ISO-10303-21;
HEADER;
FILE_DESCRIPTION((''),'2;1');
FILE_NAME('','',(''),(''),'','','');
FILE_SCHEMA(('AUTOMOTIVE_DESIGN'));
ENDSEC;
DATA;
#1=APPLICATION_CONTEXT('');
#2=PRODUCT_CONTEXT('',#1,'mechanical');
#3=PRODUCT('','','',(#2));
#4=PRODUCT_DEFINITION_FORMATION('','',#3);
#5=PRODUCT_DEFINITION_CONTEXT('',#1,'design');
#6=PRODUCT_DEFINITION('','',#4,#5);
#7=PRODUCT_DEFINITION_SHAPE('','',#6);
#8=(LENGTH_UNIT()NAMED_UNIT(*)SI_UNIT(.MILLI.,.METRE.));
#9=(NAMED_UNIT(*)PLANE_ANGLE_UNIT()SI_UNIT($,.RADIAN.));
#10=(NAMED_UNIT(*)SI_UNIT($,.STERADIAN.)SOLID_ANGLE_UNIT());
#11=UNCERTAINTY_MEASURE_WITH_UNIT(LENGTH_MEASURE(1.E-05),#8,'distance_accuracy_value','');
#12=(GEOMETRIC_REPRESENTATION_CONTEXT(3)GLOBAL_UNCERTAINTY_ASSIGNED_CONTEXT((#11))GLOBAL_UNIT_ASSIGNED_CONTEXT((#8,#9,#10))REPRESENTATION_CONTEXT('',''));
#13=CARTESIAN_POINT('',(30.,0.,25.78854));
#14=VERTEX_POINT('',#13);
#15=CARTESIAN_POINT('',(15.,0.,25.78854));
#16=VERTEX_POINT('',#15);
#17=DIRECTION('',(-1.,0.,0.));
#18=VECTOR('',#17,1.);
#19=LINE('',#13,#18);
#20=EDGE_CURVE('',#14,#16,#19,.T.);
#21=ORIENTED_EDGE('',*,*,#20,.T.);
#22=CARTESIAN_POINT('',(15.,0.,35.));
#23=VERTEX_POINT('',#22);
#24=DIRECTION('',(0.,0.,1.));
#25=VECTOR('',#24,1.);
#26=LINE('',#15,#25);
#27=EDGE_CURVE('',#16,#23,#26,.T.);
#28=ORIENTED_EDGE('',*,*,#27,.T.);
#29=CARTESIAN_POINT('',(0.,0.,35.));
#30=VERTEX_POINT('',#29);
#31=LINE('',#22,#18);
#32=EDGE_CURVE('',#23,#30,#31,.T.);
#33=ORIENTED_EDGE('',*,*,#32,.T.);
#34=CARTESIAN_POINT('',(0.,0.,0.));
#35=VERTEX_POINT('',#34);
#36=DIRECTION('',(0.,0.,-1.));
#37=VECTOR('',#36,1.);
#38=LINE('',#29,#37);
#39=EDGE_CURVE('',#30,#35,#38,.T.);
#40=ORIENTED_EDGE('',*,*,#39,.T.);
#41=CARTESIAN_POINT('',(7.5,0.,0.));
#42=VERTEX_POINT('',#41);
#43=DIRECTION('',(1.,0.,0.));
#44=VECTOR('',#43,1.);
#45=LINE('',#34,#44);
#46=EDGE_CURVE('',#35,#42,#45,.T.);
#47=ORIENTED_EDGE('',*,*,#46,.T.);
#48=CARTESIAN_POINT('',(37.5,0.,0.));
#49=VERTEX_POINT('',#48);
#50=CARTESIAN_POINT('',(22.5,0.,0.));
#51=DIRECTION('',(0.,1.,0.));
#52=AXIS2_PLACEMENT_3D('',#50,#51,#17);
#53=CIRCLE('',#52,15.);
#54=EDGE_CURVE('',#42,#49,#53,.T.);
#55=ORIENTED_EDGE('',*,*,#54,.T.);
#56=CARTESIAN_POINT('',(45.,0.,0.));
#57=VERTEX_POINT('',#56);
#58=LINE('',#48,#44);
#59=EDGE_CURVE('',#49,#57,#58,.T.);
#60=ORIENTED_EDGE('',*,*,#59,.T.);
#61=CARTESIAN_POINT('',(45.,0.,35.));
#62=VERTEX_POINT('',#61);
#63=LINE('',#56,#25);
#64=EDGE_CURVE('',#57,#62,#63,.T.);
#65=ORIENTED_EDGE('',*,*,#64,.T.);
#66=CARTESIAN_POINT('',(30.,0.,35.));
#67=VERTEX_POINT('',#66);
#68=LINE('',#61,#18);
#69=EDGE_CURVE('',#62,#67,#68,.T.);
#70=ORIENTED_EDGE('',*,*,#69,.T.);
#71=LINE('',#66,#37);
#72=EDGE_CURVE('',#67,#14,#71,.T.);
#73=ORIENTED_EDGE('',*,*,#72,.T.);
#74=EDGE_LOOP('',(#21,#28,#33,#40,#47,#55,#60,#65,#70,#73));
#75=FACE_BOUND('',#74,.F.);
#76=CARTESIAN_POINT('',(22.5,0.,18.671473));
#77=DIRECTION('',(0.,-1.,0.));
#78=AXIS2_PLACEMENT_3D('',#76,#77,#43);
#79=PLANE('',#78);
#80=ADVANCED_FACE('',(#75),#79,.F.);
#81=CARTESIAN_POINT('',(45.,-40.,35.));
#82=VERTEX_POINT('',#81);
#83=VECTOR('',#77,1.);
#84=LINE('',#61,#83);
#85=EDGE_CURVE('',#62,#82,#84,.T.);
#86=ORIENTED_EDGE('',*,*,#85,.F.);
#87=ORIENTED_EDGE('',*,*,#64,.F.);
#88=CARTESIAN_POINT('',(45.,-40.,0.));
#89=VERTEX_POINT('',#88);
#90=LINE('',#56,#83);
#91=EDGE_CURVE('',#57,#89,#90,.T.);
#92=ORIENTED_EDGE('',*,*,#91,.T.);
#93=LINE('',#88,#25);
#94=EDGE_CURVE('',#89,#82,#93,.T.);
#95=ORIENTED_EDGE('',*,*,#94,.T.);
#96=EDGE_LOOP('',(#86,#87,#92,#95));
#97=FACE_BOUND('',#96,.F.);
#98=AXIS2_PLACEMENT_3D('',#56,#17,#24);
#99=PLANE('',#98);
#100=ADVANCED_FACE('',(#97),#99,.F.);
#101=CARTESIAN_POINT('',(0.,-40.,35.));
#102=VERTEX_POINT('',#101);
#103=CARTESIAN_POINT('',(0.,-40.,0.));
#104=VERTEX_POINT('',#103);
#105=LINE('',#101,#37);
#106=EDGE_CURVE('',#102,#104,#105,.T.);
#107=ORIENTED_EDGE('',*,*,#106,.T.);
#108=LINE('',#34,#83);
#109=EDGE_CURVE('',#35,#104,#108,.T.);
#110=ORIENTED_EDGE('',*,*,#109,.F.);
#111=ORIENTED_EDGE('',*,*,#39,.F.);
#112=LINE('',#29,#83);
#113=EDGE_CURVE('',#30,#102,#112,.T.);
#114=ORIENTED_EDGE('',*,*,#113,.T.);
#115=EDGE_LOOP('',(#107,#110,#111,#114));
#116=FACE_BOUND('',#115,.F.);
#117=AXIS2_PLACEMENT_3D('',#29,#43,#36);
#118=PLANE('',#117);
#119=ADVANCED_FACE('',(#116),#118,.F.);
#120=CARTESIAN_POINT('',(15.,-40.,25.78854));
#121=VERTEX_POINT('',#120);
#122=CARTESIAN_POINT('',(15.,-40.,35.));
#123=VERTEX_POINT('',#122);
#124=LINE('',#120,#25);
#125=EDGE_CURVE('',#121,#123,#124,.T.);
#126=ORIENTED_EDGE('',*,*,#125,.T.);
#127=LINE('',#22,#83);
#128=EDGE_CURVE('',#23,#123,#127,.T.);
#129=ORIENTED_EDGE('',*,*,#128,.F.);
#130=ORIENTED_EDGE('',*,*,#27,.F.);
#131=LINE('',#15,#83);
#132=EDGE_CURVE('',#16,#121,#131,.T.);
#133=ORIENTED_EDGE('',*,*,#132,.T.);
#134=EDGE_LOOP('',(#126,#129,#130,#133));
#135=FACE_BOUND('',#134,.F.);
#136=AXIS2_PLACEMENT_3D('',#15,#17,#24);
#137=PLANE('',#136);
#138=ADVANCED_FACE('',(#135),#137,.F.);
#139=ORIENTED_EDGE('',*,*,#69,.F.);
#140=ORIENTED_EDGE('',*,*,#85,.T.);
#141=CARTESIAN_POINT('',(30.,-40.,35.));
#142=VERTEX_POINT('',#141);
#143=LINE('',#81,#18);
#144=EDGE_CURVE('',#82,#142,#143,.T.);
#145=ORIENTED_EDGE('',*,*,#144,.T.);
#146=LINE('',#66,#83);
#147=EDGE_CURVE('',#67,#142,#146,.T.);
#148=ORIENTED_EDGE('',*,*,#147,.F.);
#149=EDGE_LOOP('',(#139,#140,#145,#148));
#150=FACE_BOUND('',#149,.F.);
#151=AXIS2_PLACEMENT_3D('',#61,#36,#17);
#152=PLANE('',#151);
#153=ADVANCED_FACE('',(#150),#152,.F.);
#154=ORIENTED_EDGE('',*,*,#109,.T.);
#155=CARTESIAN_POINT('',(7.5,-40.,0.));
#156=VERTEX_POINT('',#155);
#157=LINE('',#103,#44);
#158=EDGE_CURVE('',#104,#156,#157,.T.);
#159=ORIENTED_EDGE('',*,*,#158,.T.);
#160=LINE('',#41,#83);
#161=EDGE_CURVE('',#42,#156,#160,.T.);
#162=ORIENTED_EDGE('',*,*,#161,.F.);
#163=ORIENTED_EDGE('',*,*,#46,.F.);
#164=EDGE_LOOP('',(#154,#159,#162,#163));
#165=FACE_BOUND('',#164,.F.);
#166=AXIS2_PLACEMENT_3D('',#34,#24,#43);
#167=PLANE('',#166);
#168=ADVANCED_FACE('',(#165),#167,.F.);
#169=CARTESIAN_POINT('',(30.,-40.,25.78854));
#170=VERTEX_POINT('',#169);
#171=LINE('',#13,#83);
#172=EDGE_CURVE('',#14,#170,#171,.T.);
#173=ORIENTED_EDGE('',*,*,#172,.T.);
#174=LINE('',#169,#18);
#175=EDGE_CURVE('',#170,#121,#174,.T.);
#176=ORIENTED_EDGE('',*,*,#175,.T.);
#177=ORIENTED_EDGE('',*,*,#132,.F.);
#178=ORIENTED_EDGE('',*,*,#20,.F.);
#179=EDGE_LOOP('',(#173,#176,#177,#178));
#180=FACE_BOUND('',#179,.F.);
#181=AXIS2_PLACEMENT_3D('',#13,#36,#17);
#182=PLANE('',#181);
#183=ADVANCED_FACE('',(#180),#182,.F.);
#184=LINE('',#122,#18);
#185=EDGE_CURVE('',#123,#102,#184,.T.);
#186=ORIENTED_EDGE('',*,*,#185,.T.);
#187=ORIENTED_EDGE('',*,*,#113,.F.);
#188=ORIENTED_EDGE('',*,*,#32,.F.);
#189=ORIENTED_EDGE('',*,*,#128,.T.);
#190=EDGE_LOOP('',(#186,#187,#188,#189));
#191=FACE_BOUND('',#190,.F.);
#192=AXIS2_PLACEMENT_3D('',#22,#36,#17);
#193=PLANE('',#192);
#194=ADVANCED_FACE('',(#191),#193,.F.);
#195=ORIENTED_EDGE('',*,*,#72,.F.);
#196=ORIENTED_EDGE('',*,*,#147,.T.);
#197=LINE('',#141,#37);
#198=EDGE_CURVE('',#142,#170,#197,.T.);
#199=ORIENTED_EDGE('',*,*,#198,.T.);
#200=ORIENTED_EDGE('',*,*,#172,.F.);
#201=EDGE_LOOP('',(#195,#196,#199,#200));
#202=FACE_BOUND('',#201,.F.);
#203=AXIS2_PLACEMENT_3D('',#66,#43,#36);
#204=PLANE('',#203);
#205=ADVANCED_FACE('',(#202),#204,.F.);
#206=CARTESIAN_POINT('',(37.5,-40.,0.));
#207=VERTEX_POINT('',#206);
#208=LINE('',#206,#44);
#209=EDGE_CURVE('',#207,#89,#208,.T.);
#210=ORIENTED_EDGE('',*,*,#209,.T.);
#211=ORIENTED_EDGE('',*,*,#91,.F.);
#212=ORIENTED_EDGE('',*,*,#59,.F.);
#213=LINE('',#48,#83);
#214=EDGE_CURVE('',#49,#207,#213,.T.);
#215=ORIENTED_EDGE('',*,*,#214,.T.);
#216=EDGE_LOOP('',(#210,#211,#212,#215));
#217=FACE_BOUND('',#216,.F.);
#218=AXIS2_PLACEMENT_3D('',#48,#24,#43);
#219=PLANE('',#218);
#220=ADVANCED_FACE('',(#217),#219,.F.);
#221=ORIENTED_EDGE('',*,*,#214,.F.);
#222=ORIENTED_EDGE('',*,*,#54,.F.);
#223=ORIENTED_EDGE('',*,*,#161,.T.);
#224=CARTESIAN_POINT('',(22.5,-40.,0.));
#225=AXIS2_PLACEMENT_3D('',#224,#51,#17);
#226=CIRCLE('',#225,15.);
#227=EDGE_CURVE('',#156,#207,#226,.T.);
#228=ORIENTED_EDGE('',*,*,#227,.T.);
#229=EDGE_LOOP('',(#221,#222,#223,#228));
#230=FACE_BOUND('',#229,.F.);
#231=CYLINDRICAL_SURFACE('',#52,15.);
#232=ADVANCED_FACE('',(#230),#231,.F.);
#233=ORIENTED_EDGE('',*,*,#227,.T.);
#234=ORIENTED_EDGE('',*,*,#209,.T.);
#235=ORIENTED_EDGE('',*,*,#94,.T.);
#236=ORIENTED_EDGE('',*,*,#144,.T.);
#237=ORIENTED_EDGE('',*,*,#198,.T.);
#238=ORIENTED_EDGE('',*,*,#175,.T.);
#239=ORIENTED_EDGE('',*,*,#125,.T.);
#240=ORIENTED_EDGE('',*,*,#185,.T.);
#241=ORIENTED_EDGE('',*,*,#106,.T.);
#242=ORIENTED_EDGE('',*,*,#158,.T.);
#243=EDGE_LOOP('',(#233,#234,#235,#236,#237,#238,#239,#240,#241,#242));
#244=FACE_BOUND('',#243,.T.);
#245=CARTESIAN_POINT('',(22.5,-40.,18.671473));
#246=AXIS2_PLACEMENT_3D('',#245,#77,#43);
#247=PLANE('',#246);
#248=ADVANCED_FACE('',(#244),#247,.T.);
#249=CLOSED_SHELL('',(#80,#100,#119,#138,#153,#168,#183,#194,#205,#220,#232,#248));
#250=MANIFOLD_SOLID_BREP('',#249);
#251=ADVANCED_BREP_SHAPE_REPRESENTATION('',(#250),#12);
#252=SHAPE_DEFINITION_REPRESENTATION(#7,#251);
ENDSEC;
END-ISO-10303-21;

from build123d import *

# Parameters (mm, degrees)
F1_DEPTH = 40


with BuildPart() as f1:
    # F0 (on Front) → F1 (new body)
    with BuildSketch(Plane.XZ):
        with BuildLine():
            Line((0, 35), (0, 0))
            Line((0, 0), (7.5, 0))
            ThreePointArc((7.5, 0), (22.5, 15), (37.5, 0))
            Line((37.5, 0), (45, 0))
            Line((45, 0), (45, 35))
            Line((45, 35), (30, 35))
            Line((30, 35), (30, 25.78854))
            Line((30, 25.78854), (15, 25.78854))
            Line((15, 25.78854), (15, 35))
            Line((15, 35), (0, 35))
        make_face()
    extrude(amount=F1_DEPTH)


solid = f1.part
